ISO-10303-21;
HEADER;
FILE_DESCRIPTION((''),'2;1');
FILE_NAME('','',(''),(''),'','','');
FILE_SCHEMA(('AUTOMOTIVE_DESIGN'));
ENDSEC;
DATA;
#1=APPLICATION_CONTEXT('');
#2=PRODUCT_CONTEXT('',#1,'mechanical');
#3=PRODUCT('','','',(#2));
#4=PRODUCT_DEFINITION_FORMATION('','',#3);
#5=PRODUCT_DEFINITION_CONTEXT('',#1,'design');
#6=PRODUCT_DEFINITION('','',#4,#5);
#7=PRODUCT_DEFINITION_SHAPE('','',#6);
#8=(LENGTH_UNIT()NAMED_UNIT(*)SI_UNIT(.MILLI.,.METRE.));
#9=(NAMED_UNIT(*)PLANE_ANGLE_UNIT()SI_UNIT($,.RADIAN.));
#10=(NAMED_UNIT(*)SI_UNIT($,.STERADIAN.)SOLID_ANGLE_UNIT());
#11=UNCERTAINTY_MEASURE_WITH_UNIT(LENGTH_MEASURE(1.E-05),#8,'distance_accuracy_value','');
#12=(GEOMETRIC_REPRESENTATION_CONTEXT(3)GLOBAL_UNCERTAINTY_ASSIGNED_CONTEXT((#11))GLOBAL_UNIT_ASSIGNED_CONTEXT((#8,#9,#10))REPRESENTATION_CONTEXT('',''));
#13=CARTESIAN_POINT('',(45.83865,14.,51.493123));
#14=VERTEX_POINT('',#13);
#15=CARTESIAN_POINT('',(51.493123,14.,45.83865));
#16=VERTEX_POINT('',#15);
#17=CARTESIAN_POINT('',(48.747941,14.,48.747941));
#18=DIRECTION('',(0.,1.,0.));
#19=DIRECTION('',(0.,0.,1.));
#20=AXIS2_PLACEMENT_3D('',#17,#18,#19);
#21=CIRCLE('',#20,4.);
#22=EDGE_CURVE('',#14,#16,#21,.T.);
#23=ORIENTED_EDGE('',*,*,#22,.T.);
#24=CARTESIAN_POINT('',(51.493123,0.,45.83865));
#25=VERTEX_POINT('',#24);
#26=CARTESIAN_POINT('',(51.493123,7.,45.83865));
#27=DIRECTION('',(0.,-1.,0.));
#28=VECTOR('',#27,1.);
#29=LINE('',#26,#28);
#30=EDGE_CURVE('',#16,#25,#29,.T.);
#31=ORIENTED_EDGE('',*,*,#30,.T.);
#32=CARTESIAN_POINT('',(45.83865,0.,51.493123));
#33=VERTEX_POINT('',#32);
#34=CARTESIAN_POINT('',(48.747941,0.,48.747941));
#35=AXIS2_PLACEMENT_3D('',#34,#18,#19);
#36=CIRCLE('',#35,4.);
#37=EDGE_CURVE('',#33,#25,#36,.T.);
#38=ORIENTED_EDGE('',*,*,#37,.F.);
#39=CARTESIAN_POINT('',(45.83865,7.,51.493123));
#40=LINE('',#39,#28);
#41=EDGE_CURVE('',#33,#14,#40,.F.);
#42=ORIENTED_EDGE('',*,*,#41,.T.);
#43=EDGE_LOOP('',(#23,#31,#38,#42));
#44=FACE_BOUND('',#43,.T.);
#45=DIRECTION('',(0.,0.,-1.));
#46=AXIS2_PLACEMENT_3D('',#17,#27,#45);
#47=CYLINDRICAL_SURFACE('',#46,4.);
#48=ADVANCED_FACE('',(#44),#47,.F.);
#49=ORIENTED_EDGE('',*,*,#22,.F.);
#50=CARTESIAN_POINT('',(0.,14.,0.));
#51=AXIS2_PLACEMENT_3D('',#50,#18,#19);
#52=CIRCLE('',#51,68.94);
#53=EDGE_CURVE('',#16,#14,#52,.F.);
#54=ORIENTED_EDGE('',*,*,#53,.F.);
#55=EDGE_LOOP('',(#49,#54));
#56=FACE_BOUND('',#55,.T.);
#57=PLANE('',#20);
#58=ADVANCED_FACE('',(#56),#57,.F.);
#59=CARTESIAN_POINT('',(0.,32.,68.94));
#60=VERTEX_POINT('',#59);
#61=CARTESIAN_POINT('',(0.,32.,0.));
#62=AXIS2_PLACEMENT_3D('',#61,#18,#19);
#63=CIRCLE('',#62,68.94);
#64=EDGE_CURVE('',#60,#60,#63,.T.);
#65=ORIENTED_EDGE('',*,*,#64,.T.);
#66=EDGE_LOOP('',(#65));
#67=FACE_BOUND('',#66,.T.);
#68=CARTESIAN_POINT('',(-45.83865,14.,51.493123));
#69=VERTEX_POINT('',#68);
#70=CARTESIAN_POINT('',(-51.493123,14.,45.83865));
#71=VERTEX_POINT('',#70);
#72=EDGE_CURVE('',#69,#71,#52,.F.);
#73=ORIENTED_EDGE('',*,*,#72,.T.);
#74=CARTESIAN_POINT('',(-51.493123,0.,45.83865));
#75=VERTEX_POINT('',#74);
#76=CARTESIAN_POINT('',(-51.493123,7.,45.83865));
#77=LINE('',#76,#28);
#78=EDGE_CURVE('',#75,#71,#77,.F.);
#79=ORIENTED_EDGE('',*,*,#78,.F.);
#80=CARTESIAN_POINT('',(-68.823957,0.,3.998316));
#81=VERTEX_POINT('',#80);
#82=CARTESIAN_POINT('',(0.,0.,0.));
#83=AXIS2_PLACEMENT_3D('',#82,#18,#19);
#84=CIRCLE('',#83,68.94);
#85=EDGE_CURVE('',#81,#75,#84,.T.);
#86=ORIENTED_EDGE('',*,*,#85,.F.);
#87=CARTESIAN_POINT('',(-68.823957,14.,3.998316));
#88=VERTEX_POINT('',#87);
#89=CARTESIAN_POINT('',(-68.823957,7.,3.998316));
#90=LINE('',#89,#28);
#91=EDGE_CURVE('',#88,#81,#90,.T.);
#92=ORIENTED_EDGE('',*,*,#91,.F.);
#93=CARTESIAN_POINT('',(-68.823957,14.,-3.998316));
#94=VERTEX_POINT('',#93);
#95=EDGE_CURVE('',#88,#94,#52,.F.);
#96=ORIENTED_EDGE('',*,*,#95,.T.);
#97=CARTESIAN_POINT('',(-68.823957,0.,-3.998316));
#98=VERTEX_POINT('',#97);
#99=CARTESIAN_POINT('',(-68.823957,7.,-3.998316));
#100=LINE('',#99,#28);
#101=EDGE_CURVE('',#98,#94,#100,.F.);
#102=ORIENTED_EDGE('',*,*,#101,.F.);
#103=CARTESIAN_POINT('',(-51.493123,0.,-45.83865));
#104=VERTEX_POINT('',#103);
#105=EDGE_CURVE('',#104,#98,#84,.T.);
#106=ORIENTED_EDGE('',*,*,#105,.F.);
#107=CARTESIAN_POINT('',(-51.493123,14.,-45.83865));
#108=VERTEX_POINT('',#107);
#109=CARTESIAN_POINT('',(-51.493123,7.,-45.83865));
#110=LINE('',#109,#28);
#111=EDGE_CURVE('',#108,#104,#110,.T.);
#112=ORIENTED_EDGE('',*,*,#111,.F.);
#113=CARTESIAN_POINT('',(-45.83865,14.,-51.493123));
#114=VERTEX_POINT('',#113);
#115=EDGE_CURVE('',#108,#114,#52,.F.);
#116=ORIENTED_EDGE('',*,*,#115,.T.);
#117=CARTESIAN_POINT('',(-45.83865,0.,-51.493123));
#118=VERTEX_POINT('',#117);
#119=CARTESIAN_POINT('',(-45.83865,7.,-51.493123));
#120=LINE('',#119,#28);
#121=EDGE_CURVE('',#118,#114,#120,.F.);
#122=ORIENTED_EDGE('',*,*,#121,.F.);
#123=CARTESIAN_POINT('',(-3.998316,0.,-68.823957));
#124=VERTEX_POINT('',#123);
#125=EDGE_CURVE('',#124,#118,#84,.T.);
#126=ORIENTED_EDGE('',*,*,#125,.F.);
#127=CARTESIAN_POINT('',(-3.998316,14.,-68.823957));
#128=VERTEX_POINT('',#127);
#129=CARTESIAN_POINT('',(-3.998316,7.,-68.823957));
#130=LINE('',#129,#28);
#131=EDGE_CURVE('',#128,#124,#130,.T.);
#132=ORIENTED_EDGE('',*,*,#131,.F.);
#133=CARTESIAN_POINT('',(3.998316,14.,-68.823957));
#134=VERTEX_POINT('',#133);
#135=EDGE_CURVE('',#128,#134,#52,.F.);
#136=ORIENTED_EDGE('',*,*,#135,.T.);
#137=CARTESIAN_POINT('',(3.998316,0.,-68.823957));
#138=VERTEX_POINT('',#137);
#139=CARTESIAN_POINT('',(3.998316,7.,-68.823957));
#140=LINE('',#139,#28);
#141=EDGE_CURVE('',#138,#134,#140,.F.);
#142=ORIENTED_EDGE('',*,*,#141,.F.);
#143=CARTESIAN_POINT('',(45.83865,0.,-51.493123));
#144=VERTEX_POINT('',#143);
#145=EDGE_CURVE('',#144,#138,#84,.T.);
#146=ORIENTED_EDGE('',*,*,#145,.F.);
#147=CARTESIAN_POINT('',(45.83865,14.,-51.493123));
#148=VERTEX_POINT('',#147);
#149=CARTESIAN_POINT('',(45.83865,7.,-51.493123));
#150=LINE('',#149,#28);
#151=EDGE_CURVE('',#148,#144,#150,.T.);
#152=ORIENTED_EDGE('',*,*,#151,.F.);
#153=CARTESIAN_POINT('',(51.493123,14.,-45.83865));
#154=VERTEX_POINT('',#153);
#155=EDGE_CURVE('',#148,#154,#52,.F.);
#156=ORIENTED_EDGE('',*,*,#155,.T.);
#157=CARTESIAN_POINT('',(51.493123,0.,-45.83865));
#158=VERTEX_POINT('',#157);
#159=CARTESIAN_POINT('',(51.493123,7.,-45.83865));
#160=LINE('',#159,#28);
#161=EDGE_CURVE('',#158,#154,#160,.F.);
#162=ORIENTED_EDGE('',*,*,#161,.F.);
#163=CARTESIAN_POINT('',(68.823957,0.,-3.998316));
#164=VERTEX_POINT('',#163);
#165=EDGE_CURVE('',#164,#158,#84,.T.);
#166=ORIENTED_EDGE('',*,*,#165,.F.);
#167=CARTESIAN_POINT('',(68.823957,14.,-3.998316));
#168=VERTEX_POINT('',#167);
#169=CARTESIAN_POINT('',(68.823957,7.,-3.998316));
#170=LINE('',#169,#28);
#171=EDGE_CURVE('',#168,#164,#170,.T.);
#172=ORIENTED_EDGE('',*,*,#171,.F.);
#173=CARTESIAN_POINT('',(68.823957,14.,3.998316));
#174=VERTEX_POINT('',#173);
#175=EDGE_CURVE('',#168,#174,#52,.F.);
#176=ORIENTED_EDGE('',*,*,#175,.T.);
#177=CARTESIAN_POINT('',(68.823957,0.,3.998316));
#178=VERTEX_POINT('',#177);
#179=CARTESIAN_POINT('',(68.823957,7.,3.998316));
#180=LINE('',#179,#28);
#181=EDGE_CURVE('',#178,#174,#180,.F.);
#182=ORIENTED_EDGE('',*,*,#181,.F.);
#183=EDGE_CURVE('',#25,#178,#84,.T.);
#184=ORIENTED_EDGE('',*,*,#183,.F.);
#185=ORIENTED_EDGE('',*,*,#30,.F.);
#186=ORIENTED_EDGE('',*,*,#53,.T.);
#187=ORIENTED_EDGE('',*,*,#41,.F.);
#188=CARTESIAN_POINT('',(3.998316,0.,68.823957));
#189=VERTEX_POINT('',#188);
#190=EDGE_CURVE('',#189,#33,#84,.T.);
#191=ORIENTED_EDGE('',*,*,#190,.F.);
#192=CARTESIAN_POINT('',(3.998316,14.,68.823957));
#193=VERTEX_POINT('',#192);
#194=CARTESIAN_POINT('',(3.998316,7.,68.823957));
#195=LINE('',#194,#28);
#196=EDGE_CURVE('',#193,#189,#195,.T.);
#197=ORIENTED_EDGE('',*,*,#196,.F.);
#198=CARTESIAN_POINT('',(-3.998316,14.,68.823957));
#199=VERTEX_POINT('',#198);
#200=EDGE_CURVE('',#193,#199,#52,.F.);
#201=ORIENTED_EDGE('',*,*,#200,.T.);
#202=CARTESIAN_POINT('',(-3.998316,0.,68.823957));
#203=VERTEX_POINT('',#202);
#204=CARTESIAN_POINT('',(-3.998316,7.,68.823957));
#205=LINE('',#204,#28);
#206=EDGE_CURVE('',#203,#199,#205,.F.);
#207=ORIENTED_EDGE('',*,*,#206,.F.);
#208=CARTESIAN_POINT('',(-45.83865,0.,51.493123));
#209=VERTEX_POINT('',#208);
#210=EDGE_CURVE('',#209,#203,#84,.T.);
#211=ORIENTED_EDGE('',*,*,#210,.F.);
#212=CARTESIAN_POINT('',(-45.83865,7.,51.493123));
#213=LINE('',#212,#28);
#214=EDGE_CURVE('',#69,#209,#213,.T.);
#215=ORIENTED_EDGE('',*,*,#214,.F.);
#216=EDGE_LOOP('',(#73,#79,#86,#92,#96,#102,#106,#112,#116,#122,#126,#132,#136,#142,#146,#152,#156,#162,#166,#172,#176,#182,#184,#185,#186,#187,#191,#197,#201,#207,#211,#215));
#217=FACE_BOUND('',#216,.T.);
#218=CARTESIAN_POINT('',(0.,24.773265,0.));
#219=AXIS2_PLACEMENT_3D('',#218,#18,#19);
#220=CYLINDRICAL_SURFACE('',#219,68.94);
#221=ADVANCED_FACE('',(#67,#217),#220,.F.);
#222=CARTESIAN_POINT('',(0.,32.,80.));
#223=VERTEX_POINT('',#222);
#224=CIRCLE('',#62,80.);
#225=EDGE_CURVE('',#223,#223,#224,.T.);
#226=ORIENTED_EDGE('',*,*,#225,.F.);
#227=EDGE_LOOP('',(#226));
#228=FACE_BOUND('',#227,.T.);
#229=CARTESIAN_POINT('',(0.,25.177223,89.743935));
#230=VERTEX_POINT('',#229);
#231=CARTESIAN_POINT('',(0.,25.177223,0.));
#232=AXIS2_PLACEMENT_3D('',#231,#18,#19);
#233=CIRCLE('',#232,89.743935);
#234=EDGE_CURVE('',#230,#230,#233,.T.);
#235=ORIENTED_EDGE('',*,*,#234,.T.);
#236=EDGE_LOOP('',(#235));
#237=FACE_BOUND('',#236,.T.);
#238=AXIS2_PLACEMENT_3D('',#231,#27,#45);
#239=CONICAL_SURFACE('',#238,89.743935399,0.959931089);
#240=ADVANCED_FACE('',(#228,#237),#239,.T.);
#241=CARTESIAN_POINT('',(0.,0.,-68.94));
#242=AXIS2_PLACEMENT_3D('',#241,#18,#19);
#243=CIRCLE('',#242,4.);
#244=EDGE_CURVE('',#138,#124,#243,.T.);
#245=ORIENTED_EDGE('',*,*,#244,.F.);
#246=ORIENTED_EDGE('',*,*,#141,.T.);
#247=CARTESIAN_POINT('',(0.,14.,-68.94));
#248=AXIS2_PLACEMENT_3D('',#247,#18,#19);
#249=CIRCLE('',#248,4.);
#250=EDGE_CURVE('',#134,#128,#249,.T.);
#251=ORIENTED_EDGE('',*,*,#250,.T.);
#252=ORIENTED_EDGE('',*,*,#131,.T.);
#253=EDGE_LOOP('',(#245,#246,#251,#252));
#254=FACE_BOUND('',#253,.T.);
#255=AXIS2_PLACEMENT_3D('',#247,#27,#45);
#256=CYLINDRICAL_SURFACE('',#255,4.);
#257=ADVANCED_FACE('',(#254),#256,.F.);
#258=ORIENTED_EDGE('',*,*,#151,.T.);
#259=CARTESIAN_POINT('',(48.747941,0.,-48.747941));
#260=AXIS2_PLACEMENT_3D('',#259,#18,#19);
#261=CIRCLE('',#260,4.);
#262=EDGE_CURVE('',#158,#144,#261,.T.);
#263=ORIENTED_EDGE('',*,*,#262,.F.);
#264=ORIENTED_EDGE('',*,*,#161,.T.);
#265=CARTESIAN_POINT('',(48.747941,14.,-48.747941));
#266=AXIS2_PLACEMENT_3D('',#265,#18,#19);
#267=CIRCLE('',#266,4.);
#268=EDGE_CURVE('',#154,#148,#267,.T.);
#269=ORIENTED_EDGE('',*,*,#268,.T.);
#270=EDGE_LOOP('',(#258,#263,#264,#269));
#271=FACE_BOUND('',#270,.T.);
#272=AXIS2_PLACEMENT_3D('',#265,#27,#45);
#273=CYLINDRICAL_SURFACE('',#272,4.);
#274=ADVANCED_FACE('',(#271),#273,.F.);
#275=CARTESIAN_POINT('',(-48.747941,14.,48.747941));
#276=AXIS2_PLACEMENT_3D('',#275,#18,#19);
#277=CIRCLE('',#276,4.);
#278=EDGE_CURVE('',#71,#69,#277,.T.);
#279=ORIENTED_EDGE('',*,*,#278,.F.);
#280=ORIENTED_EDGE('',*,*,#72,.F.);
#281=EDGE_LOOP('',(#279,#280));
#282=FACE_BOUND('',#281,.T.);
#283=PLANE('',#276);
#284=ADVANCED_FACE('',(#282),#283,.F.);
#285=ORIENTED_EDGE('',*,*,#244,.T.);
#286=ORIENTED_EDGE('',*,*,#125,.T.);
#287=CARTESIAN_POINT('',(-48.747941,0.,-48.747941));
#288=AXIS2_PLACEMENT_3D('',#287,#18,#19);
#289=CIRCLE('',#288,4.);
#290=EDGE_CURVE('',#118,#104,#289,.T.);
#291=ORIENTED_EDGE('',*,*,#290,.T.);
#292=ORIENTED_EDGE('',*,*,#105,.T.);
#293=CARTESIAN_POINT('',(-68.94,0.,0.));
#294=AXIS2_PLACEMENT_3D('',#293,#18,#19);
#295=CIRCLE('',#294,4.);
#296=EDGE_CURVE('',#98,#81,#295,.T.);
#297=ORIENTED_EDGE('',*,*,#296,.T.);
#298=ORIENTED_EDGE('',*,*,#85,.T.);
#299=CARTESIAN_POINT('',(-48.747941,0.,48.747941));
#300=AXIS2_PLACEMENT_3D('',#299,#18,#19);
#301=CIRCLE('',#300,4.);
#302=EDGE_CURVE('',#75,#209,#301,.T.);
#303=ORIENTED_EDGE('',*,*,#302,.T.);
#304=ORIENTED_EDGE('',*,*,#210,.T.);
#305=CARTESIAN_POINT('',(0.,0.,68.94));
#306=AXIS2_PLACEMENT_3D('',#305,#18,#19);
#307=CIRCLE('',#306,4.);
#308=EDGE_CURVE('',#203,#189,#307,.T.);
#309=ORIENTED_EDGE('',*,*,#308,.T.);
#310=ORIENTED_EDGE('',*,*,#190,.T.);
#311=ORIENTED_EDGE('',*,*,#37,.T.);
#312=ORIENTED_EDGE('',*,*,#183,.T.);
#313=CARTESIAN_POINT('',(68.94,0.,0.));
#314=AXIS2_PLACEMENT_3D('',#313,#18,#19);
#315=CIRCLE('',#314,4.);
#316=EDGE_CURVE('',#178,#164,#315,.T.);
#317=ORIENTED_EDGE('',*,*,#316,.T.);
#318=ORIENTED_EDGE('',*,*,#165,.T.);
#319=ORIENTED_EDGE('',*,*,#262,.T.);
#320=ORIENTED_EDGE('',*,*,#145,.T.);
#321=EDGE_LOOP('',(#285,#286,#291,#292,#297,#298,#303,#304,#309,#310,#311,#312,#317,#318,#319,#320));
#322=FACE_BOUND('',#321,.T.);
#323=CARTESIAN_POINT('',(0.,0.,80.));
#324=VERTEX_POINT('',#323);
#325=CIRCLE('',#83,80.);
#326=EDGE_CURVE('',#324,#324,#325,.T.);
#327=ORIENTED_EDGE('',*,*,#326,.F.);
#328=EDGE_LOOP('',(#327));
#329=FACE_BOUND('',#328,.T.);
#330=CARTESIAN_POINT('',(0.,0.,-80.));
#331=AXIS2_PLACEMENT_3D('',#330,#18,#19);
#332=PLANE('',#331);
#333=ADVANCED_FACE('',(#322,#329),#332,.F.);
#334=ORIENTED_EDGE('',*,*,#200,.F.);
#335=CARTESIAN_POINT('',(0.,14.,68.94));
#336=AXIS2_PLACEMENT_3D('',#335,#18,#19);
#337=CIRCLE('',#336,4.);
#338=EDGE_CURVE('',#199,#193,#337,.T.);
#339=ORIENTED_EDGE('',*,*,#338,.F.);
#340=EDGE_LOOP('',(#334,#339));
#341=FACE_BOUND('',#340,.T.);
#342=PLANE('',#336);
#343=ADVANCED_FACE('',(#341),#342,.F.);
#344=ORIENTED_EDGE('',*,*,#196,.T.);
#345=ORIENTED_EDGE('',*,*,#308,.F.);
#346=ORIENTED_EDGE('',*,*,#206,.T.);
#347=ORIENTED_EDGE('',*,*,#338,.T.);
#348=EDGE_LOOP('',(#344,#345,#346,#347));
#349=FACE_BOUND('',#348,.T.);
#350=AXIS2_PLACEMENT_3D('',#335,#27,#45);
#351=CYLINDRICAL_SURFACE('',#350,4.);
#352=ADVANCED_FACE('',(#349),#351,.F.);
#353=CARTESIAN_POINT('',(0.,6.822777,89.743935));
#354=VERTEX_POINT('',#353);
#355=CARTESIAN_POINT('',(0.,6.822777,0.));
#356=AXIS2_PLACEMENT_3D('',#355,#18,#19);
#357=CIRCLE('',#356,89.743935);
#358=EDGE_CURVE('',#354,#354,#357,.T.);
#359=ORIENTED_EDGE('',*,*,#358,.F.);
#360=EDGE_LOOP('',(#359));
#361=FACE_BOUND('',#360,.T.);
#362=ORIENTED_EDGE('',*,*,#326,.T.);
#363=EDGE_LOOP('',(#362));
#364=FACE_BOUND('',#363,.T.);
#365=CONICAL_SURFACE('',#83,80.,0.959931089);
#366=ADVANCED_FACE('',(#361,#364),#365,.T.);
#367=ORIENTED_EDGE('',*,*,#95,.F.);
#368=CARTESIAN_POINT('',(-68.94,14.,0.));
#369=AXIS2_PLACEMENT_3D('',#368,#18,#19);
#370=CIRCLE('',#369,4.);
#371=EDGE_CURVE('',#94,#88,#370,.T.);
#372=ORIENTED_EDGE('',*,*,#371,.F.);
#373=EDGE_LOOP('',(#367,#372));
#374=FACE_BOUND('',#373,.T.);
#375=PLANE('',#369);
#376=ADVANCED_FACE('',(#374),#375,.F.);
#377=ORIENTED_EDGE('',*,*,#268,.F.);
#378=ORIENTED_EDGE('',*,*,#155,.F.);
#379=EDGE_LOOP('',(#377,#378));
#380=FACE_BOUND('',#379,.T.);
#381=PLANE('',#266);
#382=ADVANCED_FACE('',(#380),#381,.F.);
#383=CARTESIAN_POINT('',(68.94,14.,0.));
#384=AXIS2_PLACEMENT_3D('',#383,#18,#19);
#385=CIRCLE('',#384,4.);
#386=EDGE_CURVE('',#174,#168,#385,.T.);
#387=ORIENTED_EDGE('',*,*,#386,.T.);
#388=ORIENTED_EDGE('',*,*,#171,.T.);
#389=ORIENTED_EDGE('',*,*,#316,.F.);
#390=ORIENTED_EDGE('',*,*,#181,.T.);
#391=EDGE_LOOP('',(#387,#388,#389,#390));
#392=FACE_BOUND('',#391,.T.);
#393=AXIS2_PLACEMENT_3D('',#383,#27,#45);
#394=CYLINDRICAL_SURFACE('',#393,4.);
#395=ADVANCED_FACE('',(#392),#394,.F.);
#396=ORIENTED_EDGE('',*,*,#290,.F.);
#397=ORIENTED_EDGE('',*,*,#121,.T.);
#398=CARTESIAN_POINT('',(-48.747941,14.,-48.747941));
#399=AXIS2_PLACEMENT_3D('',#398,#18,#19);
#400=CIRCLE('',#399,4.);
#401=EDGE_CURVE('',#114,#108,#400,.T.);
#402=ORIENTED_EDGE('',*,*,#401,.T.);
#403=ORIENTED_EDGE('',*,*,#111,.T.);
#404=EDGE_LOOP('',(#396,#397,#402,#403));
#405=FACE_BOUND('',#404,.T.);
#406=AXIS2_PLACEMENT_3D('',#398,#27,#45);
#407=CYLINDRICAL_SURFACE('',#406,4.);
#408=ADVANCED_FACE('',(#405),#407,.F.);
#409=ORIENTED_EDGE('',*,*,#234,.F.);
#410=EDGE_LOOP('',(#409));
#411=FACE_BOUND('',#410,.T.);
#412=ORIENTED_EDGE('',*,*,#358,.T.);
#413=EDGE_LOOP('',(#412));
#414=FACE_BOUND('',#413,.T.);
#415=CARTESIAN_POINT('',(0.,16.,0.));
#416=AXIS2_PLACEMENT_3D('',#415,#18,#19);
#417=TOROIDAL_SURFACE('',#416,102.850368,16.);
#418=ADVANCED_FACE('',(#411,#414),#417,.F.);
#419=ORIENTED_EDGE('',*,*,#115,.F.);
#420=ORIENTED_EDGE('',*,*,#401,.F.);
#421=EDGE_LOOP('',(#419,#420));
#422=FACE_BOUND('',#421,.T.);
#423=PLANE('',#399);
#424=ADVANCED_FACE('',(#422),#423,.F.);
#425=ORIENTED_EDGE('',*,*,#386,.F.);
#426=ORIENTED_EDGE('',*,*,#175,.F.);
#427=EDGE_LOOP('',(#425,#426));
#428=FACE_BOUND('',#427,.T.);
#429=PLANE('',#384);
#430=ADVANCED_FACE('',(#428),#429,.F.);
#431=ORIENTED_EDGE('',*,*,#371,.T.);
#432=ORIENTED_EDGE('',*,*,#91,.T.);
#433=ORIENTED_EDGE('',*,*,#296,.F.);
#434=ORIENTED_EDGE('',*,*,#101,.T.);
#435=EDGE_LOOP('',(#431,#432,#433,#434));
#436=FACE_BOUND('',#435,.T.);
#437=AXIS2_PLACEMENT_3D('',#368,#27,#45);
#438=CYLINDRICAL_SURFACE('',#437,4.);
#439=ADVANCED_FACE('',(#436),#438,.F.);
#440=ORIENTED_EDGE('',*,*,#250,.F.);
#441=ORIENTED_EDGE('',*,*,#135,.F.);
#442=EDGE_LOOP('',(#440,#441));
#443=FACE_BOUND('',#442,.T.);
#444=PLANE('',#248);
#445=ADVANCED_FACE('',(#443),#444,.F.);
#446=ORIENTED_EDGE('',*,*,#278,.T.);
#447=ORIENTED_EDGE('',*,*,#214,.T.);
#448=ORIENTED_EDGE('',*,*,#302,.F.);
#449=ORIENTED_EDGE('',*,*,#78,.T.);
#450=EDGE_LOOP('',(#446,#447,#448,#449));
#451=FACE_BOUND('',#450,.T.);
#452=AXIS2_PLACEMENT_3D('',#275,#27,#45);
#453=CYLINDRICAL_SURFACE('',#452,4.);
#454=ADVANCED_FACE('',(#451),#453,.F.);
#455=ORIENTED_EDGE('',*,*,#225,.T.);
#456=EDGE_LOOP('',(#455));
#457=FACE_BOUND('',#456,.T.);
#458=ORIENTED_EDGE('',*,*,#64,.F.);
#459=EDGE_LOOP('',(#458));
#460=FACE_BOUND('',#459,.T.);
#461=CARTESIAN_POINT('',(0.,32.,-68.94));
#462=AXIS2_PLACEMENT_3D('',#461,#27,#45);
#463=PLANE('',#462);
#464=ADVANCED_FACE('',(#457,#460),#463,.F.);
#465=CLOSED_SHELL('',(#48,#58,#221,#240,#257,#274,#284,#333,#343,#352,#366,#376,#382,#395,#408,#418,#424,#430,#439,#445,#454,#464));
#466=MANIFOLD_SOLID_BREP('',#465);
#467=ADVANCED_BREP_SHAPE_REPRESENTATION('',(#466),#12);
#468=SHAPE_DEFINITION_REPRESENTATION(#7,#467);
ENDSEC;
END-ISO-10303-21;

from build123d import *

# Parameters (mm, degrees)
SKETCH3_R          = 4
CUT_EXTRUDE1_DEPTH = 14


with BuildPart() as part:
    # Sketch2 → Revolve1 (revolve)
    with BuildSketch(Plane(origin=(0, 0, 0), x_dir=(0, 0, -1), z_dir=(1, 0, 0)), mode=Mode.PRIVATE) as revolve1_sk:
        with BuildLine():
            Line((68.94, 0), (68.94, 32))
            Line((68.94, 32), (80, 32))
            Line((80, 32), (89.743935399, 25.177222982))
            ThreePointArc((89.743935399, 25.177222982), (86.850368108, 16), (89.743935399, 6.822777018))
            Line((89.743935399, 6.822777018), (80, 0))
            Line((80, 0), (68.94, 0))
        make_face()
    revolve(revolve1_sk.sketch.rotate(Axis((0, 24.773264932, 0), (0, -1, 0)), 180), axis=Axis((0, 24.773264932, 0), (0, -1, 0)))

    # Sketch3 → Cut-Extrude1 (cut)
    with BuildSketch(Plane(origin=(0, 0, 0), x_dir=(1, 0, 0), z_dir=(0, 1, 0))):
        with Locations((0, 68.94)):
            Circle(SKETCH3_R)
        with Locations((48.747941495, 48.747941495)):
            Circle(SKETCH3_R)
        with Locations((68.94, 0)):
            Circle(SKETCH3_R)
        with Locations((48.747941495, -48.747941495)):
            Circle(SKETCH3_R)
        with Locations((0, -68.94)):
            Circle(SKETCH3_R)
        with Locations((-48.747941495, -48.747941495)):
            Circle(SKETCH3_R)
        with Locations((-68.94, 0)):
            Circle(SKETCH3_R)
        with Locations((-48.747941495, 48.747941495)):
            Circle(SKETCH3_R)
    extrude(amount=CUT_EXTRUDE1_DEPTH, mode=Mode.SUBTRACT)


solid = part.part
